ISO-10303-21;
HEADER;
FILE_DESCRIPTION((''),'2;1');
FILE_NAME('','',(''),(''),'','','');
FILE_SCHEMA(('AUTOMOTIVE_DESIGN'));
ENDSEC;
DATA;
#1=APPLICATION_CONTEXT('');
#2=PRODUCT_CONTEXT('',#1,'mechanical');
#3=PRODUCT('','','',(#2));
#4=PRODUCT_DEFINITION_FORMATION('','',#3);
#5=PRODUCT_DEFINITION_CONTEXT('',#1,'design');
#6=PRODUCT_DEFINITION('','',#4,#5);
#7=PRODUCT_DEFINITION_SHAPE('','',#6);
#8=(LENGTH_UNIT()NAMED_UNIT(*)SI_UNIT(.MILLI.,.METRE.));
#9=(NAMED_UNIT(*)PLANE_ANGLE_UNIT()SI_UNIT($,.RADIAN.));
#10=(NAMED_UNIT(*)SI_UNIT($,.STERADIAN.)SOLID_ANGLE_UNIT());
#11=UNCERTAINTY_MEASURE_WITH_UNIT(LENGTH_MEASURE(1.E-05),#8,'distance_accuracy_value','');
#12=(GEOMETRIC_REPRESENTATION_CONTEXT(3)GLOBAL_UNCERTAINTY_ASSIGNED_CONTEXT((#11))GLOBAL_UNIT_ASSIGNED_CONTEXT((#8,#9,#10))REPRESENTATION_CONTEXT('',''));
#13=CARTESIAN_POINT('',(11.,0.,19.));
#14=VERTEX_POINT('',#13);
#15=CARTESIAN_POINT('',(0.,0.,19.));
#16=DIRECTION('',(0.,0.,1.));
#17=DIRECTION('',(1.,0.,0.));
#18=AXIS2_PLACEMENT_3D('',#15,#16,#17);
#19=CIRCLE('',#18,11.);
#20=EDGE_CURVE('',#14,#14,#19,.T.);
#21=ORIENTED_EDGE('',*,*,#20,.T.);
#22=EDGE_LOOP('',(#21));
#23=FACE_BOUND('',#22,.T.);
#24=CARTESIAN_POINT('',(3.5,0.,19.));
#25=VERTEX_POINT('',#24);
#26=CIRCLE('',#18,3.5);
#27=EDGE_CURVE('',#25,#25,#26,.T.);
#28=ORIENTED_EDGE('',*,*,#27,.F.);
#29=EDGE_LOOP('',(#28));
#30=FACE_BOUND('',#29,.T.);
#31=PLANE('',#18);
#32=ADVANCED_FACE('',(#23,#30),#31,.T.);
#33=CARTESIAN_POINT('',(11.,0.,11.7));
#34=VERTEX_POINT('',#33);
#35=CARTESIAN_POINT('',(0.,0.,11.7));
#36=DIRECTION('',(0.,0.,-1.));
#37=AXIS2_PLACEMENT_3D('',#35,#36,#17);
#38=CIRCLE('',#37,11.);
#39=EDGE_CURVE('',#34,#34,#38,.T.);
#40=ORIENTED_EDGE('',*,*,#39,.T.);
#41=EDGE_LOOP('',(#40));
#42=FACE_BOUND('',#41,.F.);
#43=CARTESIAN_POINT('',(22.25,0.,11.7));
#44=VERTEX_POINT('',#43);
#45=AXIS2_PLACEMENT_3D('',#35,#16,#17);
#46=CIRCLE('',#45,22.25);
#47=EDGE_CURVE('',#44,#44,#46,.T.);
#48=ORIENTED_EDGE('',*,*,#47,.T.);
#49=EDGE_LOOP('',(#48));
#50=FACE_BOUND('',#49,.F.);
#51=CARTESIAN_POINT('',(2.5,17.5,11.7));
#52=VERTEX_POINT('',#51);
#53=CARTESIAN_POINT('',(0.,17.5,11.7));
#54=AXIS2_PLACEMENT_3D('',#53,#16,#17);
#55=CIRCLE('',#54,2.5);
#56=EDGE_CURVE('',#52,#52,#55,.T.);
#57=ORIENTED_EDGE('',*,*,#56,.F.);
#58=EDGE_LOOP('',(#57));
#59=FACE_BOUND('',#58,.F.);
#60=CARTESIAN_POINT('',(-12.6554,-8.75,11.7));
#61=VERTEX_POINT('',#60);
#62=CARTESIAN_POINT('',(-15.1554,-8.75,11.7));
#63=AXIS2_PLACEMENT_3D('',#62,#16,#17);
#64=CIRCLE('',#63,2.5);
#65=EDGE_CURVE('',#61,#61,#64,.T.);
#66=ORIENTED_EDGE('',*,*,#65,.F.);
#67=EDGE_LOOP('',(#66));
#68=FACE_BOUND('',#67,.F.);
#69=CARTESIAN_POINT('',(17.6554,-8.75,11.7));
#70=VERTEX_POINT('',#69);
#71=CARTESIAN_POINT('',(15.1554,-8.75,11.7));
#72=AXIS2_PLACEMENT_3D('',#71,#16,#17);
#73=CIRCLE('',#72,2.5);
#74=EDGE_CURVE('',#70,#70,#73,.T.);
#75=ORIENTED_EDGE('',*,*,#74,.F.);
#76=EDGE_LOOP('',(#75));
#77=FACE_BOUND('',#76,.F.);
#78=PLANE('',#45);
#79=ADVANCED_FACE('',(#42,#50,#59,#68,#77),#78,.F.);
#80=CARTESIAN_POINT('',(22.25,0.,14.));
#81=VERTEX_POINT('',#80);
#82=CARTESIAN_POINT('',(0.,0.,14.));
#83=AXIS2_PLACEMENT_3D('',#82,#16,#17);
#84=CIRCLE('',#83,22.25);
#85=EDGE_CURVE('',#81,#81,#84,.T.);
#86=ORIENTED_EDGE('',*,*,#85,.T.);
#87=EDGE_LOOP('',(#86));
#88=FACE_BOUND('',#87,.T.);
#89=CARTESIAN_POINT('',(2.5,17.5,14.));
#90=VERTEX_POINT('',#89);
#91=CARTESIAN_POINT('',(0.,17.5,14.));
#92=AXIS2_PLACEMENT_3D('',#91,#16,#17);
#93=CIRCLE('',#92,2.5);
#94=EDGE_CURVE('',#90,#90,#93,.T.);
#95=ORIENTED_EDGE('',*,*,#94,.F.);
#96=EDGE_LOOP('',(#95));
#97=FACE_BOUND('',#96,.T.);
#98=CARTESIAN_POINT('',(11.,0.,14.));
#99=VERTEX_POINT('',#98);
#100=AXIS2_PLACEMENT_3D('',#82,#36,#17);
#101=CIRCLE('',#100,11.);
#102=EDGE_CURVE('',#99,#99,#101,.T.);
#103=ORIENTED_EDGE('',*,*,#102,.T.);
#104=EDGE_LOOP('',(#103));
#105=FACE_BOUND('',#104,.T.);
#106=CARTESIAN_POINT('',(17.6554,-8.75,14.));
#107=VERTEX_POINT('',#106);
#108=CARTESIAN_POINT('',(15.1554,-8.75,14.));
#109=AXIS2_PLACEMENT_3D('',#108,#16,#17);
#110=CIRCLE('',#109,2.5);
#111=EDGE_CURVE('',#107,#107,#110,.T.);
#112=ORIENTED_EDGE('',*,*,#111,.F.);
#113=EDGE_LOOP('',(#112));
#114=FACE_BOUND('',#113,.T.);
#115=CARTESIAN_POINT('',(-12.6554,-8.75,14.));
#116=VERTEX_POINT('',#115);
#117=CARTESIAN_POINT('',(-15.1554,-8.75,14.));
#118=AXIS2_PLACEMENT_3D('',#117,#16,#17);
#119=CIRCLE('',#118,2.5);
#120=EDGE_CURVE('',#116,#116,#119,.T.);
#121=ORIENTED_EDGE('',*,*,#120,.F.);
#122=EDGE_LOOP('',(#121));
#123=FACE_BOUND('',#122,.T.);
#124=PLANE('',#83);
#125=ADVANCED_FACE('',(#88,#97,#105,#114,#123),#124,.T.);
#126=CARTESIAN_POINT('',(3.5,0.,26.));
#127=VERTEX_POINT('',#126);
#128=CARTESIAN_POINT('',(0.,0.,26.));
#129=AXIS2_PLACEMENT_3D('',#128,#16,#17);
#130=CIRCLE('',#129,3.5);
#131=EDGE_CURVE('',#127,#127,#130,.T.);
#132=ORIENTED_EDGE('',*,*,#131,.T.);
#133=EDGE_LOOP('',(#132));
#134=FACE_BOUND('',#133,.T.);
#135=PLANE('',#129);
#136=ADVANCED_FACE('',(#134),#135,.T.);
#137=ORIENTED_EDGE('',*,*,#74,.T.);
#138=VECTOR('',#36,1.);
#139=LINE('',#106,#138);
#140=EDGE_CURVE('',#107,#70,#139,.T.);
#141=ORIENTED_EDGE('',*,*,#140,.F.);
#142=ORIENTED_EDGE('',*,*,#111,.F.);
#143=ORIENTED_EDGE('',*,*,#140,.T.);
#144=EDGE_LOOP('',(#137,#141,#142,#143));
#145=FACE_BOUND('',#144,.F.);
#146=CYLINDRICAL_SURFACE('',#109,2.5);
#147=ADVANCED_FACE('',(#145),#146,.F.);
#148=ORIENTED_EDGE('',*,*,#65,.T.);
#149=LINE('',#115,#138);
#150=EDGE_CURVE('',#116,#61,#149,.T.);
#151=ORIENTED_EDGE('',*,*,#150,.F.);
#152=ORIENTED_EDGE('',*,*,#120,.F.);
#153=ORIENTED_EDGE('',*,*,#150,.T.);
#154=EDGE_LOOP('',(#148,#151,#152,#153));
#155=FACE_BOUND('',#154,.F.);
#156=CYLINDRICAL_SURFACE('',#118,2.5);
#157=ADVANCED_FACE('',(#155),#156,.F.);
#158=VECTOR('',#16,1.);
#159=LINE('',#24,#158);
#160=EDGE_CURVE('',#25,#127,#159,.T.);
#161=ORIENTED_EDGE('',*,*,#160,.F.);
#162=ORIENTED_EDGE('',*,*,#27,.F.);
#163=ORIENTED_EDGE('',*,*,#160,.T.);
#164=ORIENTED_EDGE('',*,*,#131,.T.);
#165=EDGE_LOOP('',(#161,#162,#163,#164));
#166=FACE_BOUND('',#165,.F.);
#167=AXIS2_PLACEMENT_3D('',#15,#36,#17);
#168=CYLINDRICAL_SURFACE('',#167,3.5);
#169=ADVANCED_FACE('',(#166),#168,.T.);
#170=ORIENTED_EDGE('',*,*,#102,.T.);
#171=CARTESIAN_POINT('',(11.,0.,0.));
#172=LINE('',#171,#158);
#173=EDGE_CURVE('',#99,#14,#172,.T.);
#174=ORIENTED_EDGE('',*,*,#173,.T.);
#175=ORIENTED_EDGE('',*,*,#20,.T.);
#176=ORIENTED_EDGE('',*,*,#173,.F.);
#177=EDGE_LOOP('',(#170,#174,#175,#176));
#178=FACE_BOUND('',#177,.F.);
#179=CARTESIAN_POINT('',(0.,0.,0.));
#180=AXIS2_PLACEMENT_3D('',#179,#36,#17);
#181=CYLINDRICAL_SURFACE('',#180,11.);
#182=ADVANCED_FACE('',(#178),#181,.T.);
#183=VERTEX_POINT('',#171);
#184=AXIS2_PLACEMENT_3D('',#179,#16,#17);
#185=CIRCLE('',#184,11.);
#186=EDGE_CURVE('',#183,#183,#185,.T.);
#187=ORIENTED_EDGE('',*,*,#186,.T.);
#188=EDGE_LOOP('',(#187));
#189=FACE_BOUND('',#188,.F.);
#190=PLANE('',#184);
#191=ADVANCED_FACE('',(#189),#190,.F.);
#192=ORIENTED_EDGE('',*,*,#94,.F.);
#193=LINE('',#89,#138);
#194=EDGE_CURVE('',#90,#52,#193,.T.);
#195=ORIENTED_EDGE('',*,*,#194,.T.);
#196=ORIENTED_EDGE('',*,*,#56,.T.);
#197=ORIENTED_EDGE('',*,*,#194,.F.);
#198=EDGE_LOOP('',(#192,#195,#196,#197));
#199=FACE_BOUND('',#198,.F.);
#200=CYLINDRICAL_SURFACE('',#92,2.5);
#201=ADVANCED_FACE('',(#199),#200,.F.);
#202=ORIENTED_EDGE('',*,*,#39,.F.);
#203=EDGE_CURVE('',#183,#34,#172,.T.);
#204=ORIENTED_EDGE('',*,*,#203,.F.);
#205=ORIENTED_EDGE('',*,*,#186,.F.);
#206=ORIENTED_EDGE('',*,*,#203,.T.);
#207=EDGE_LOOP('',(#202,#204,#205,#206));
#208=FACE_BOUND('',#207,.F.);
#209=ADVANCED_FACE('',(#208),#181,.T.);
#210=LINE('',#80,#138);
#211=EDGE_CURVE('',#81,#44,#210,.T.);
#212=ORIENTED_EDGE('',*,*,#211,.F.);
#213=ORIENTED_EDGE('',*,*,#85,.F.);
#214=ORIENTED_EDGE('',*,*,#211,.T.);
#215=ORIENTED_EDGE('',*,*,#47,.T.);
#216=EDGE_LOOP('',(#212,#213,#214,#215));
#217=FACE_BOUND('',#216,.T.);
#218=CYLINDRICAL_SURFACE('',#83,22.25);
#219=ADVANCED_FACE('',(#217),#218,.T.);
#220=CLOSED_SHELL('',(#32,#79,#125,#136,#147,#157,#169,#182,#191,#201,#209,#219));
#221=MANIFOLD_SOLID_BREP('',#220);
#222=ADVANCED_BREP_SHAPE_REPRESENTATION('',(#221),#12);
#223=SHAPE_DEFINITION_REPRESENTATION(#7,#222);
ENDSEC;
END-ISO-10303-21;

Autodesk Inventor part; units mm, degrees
ref_plane "YZ Plane" through (0, 0, 0) normal (1, 0, 0) x (0, 1, 0)
ref_plane "XZ Plane" through (0, 0, 0) normal (0, 1, 0) x (-1, 0, 0)
sketch "Sketch1" plane through (0, 0, 0) normal (0, 0, 1) x (1, 0, 0)
  circle A0 centre (0, 0) radius 11
  dimension "d0" = 22
extrude "Extrusion1" add sketch "Sketch1" along normal blind 19
ref_plane "Work Plane1" through (0, 0, 14) normal (0, 0, 1) x (1, 0, 0)
sketch "Sketch2" plane through (0, 0, 14) normal (0, 0, 1) x (1, 0, 0)
  circle A0 centre (0, 0) radius 22.25
  circle A1 centre (0, 17.5) radius 2.5
  circle A2 centre (-15.1554, -8.75) radius 2.5
  circle A3 centre (15.1554, -8.75) radius 2.5
  dimension "d4" = 44.5
  dimension "d5" = 5
  dimension "d6" = 17.5
  dimension "d9" = 360
extrude "Extrusion2" add sketch "Sketch2" against normal blind 2.3
sketch "Sketch3" plane through (0, 0, 19) normal (0, 0, 1) x (1, 0, 0)
  circle A0 centre (0, 0) radius 3.5
  dimension "d13" = 7
extrude "Extrusion3" add sketch "Sketch3" along normal blind 7
properties part number "Slip Ring" material "ABS Plastic"
